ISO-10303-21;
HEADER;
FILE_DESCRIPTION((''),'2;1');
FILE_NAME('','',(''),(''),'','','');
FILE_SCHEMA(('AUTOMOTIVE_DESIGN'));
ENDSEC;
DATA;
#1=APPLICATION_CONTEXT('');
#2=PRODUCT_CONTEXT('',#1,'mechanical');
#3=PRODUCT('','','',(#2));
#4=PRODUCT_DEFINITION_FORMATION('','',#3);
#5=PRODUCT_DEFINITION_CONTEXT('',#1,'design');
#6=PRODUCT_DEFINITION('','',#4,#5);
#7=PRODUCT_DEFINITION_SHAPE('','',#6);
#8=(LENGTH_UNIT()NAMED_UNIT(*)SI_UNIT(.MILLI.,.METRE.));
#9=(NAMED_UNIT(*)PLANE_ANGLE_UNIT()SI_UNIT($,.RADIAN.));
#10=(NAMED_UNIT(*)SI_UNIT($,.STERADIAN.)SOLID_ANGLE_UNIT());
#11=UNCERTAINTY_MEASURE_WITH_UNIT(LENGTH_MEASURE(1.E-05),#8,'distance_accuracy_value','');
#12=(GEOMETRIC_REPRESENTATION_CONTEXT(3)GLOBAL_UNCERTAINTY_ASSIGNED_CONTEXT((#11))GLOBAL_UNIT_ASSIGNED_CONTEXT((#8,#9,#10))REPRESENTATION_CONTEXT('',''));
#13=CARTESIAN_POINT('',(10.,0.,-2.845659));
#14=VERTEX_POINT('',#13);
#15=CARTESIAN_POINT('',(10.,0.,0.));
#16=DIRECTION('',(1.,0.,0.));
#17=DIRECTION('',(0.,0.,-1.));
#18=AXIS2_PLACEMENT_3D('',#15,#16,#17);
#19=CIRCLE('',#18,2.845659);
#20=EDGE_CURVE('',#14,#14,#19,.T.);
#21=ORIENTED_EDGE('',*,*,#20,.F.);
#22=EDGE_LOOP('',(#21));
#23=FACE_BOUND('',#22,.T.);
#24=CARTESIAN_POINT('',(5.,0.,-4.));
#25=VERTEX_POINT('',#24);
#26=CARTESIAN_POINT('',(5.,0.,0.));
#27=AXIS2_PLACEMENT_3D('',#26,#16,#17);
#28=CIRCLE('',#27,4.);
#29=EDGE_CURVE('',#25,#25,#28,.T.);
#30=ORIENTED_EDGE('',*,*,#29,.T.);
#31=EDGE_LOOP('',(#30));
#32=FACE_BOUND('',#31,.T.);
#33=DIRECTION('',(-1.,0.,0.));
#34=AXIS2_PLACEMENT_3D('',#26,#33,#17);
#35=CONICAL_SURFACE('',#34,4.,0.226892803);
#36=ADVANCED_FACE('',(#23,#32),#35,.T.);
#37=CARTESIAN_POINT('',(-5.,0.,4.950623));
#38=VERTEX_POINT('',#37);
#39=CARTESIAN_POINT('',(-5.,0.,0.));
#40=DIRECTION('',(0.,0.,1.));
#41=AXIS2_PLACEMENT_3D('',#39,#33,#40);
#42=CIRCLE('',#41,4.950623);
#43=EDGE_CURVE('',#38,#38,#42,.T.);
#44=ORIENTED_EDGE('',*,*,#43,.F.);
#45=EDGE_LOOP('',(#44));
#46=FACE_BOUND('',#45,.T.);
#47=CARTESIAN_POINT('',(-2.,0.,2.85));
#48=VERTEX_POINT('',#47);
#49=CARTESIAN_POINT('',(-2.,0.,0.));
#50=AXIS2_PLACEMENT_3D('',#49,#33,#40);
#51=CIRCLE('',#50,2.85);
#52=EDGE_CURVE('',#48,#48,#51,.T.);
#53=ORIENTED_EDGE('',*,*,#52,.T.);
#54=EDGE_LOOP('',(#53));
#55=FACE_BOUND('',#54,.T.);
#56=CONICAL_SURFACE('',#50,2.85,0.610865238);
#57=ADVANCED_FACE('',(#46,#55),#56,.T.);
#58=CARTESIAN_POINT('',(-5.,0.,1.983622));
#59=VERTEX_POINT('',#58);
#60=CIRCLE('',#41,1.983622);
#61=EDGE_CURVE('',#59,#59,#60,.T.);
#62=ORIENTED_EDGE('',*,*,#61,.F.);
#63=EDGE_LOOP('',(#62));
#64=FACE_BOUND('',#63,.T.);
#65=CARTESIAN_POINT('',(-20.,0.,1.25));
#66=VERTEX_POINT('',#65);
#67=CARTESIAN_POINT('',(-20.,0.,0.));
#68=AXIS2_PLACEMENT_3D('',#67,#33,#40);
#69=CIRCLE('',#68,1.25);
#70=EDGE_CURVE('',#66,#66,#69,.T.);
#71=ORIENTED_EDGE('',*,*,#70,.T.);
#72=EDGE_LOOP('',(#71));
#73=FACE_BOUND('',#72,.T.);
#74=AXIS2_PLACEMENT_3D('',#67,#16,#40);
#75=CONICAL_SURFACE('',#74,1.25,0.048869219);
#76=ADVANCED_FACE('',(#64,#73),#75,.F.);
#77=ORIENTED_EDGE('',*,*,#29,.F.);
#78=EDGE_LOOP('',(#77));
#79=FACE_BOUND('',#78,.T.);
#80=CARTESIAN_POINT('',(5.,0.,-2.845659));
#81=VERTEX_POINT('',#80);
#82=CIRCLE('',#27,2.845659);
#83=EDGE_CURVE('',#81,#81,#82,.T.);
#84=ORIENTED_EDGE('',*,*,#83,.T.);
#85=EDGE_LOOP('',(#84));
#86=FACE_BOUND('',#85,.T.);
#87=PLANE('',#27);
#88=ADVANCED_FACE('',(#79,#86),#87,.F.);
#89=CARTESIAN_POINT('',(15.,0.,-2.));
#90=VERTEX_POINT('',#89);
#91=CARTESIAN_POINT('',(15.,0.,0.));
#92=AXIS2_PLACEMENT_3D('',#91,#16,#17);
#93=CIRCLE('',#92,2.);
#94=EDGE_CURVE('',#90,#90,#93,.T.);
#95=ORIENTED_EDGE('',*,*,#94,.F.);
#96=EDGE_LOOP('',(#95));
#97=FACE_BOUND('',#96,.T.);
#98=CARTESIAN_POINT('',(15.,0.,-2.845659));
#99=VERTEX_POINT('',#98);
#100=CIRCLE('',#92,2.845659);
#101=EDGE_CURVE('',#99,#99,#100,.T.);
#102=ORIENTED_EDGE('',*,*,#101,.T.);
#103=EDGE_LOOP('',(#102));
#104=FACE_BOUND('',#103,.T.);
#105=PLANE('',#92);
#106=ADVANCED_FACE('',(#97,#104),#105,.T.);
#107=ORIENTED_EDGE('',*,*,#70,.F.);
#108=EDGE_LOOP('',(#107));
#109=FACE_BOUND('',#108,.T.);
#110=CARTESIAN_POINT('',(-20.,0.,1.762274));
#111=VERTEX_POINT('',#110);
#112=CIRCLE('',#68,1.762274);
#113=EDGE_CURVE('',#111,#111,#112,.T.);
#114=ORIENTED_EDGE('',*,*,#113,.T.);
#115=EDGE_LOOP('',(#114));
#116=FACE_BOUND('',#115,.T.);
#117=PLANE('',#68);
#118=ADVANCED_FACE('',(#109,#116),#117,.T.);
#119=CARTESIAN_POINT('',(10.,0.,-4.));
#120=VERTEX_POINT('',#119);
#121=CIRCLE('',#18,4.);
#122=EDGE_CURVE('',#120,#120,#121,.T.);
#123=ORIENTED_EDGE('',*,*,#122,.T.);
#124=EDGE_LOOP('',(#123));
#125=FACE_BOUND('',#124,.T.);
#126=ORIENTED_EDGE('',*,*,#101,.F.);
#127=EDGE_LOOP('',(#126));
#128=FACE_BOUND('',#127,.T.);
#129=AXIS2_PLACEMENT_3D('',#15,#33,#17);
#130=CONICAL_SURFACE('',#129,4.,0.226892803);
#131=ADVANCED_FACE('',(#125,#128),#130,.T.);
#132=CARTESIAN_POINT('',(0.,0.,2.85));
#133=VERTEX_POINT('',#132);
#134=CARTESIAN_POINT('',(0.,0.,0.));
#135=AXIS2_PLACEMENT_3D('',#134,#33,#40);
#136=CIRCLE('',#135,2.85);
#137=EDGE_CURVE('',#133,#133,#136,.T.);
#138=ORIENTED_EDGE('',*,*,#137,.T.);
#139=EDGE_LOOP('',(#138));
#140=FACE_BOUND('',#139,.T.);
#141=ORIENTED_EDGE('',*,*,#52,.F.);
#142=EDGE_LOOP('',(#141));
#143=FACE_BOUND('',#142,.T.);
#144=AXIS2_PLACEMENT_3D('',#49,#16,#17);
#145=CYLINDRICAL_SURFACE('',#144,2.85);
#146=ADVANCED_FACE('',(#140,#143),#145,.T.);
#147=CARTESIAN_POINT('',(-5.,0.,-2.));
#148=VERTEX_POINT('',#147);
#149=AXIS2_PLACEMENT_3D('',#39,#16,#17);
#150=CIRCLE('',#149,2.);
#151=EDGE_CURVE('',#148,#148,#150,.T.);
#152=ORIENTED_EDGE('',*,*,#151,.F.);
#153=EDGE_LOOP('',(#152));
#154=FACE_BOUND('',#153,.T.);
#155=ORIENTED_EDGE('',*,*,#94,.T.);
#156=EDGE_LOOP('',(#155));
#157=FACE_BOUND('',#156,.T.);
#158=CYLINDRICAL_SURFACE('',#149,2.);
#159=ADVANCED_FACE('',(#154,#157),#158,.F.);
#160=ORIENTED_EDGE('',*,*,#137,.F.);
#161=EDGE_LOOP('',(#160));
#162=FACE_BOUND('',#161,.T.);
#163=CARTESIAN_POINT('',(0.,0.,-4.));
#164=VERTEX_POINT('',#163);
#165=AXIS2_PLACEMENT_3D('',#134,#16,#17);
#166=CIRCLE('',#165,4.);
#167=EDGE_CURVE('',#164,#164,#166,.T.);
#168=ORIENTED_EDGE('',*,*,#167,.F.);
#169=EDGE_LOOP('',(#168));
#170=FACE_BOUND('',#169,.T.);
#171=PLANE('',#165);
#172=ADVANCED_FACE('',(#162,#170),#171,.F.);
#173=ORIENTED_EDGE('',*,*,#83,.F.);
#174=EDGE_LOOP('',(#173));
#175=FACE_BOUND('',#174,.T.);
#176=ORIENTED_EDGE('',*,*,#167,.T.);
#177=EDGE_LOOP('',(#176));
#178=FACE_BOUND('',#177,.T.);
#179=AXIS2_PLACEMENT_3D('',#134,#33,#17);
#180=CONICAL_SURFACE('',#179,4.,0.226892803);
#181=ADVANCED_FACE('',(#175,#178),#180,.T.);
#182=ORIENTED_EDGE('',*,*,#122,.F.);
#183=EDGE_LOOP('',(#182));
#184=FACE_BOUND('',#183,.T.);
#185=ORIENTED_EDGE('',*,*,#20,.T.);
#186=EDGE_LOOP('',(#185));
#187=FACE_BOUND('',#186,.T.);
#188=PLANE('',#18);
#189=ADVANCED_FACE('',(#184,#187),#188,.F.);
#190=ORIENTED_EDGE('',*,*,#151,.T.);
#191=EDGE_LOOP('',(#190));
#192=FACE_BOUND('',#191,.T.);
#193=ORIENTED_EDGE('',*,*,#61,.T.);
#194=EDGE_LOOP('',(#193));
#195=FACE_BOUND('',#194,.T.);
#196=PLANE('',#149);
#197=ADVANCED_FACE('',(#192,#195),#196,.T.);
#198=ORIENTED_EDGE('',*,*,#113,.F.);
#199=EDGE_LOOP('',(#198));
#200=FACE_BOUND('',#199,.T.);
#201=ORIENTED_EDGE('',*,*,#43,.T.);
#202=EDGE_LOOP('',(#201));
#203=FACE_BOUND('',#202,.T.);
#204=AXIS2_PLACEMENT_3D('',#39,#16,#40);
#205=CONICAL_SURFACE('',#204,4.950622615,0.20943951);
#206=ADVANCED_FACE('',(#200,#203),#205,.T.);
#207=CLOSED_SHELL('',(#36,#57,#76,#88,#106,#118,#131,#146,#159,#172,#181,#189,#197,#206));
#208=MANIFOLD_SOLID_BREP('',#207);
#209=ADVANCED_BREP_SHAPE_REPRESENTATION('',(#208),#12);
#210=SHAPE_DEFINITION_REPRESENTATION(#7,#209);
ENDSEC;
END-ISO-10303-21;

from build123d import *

# Parameters (mm, degrees)
SKETCH1_R           = 4
BOSS_EXTRUDE1_DEPTH = 5
BOSS_EXTRUDE1_TAPER = 13
SKETCH2_R           = 4
BOSS_EXTRUDE2_DEPTH = 5
BOSS_EXTRUDE2_TAPER = 13
SKETCH3_R           = 4
BOSS_EXTRUDE3_DEPTH = 5
BOSS_EXTRUDE3_TAPER = 13
SKETCH4_R           = 2.85
BOSS_EXTRUDE4_DEPTH = 2
SKETCH5_R           = 2.85
BOSS_EXTRUDE5_DEPTH = 3
BOSS_EXTRUDE5_DRAFT = -35
SKETCH6_R           = 4.950622615
BOSS_EXTRUDE6_DEPTH = 15
BOSS_EXTRUDE6_TAPER = 12
SKETCH9_R           = 2
CUT_EXTRUDE1_DEPTH  = 20
SKETCH11_R          = 1.25
CUT_EXTRUDE5_DEPTH  = 15
CUT_EXTRUDE5_DRAFT  = 2.8


with BuildPart() as part:
    # Sketch1 → Boss-Extrude1 (new body)
    with BuildSketch(Plane(origin=(0, 0, 0), x_dir=(0, 0, -1), z_dir=(1, 0, 0))):
        Circle(SKETCH1_R)
    extrude(amount=BOSS_EXTRUDE1_DEPTH, taper=BOSS_EXTRUDE1_TAPER)

    # Sketch2 → Boss-Extrude2 (add)
    with BuildSketch(Plane(origin=(5, 0, 0), x_dir=(0, 0, -1), z_dir=(1, 0, 0))):
        Circle(SKETCH2_R)
    extrude(amount=BOSS_EXTRUDE2_DEPTH, taper=BOSS_EXTRUDE2_TAPER)

    # Sketch3 → Boss-Extrude3 (add)
    with BuildSketch(Plane(origin=(10, 0, 0), x_dir=(0, 0, -1), z_dir=(1, 0, 0))):
        Circle(SKETCH3_R)
    extrude(amount=BOSS_EXTRUDE3_DEPTH, taper=BOSS_EXTRUDE3_TAPER)

    # Sketch4 → Boss-Extrude4 (add)
    with BuildSketch(Plane.ZY):
        Circle(SKETCH4_R)
    extrude(amount=BOSS_EXTRUDE4_DEPTH)


with BuildPart() as boss_extrude5_tool:
    # Sketch5 → Boss-Extrude5 (with draft: the straight prism first)
    with BuildSketch(Plane.ZY.offset(2)):
        Circle(SKETCH5_R)
    extrude(amount=BOSS_EXTRUDE5_DEPTH)
    # Boss-Extrude5: the draft: its side faces are tilted about the plane it starts from
    boss_extrude5_sides = [boss_extrude5_tool.faces().sort_by_distance(p)[0] for p in [
        (-3.5, 0, -2.85),
    ]]
    draft(boss_extrude5_sides, Plane.ZY.offset(2), BOSS_EXTRUDE5_DRAFT)


with BuildPart() as part_1:
    add(part.part)

    # Boss-Extrude5: add boss_extrude5_tool
    add(boss_extrude5_tool.part)

    # Sketch6 → Boss-Extrude6 (add)
    with BuildSketch(Plane.ZY.offset(5)):
        Circle(SKETCH6_R)
    extrude(amount=BOSS_EXTRUDE6_DEPTH, taper=BOSS_EXTRUDE6_TAPER)

    # Sketch9 → Cut-Extrude1 (cut)
    with BuildSketch(Plane(origin=(15, 0, 0), x_dir=(0, 0, -1), z_dir=(1, 0, 0))):
        Circle(SKETCH9_R)
    extrude(amount=-CUT_EXTRUDE1_DEPTH, mode=Mode.SUBTRACT)


with BuildPart() as cut_extrude5_tool:
    # Sketch11 → Cut-Extrude5 (with draft: the straight prism first)
    with BuildSketch(Plane.ZY.offset(20)):
        Circle(SKETCH11_R)
    extrude(amount=-CUT_EXTRUDE5_DEPTH)
    # Cut-Extrude5: the draft: its side faces are tilted about the plane it starts from
    cut_extrude5_sides = [cut_extrude5_tool.faces().sort_by_distance(p)[0] for p in [
        (-12.5, 0, -1.25),
    ]]
    draft(cut_extrude5_sides, Plane.ZY.offset(20), CUT_EXTRUDE5_DRAFT)


with BuildPart() as part_2:
    add(part_1.part)

    # Cut-Extrude5: cut by cut_extrude5_tool
    add(cut_extrude5_tool.part, mode=Mode.SUBTRACT)


solid = part_2.part
